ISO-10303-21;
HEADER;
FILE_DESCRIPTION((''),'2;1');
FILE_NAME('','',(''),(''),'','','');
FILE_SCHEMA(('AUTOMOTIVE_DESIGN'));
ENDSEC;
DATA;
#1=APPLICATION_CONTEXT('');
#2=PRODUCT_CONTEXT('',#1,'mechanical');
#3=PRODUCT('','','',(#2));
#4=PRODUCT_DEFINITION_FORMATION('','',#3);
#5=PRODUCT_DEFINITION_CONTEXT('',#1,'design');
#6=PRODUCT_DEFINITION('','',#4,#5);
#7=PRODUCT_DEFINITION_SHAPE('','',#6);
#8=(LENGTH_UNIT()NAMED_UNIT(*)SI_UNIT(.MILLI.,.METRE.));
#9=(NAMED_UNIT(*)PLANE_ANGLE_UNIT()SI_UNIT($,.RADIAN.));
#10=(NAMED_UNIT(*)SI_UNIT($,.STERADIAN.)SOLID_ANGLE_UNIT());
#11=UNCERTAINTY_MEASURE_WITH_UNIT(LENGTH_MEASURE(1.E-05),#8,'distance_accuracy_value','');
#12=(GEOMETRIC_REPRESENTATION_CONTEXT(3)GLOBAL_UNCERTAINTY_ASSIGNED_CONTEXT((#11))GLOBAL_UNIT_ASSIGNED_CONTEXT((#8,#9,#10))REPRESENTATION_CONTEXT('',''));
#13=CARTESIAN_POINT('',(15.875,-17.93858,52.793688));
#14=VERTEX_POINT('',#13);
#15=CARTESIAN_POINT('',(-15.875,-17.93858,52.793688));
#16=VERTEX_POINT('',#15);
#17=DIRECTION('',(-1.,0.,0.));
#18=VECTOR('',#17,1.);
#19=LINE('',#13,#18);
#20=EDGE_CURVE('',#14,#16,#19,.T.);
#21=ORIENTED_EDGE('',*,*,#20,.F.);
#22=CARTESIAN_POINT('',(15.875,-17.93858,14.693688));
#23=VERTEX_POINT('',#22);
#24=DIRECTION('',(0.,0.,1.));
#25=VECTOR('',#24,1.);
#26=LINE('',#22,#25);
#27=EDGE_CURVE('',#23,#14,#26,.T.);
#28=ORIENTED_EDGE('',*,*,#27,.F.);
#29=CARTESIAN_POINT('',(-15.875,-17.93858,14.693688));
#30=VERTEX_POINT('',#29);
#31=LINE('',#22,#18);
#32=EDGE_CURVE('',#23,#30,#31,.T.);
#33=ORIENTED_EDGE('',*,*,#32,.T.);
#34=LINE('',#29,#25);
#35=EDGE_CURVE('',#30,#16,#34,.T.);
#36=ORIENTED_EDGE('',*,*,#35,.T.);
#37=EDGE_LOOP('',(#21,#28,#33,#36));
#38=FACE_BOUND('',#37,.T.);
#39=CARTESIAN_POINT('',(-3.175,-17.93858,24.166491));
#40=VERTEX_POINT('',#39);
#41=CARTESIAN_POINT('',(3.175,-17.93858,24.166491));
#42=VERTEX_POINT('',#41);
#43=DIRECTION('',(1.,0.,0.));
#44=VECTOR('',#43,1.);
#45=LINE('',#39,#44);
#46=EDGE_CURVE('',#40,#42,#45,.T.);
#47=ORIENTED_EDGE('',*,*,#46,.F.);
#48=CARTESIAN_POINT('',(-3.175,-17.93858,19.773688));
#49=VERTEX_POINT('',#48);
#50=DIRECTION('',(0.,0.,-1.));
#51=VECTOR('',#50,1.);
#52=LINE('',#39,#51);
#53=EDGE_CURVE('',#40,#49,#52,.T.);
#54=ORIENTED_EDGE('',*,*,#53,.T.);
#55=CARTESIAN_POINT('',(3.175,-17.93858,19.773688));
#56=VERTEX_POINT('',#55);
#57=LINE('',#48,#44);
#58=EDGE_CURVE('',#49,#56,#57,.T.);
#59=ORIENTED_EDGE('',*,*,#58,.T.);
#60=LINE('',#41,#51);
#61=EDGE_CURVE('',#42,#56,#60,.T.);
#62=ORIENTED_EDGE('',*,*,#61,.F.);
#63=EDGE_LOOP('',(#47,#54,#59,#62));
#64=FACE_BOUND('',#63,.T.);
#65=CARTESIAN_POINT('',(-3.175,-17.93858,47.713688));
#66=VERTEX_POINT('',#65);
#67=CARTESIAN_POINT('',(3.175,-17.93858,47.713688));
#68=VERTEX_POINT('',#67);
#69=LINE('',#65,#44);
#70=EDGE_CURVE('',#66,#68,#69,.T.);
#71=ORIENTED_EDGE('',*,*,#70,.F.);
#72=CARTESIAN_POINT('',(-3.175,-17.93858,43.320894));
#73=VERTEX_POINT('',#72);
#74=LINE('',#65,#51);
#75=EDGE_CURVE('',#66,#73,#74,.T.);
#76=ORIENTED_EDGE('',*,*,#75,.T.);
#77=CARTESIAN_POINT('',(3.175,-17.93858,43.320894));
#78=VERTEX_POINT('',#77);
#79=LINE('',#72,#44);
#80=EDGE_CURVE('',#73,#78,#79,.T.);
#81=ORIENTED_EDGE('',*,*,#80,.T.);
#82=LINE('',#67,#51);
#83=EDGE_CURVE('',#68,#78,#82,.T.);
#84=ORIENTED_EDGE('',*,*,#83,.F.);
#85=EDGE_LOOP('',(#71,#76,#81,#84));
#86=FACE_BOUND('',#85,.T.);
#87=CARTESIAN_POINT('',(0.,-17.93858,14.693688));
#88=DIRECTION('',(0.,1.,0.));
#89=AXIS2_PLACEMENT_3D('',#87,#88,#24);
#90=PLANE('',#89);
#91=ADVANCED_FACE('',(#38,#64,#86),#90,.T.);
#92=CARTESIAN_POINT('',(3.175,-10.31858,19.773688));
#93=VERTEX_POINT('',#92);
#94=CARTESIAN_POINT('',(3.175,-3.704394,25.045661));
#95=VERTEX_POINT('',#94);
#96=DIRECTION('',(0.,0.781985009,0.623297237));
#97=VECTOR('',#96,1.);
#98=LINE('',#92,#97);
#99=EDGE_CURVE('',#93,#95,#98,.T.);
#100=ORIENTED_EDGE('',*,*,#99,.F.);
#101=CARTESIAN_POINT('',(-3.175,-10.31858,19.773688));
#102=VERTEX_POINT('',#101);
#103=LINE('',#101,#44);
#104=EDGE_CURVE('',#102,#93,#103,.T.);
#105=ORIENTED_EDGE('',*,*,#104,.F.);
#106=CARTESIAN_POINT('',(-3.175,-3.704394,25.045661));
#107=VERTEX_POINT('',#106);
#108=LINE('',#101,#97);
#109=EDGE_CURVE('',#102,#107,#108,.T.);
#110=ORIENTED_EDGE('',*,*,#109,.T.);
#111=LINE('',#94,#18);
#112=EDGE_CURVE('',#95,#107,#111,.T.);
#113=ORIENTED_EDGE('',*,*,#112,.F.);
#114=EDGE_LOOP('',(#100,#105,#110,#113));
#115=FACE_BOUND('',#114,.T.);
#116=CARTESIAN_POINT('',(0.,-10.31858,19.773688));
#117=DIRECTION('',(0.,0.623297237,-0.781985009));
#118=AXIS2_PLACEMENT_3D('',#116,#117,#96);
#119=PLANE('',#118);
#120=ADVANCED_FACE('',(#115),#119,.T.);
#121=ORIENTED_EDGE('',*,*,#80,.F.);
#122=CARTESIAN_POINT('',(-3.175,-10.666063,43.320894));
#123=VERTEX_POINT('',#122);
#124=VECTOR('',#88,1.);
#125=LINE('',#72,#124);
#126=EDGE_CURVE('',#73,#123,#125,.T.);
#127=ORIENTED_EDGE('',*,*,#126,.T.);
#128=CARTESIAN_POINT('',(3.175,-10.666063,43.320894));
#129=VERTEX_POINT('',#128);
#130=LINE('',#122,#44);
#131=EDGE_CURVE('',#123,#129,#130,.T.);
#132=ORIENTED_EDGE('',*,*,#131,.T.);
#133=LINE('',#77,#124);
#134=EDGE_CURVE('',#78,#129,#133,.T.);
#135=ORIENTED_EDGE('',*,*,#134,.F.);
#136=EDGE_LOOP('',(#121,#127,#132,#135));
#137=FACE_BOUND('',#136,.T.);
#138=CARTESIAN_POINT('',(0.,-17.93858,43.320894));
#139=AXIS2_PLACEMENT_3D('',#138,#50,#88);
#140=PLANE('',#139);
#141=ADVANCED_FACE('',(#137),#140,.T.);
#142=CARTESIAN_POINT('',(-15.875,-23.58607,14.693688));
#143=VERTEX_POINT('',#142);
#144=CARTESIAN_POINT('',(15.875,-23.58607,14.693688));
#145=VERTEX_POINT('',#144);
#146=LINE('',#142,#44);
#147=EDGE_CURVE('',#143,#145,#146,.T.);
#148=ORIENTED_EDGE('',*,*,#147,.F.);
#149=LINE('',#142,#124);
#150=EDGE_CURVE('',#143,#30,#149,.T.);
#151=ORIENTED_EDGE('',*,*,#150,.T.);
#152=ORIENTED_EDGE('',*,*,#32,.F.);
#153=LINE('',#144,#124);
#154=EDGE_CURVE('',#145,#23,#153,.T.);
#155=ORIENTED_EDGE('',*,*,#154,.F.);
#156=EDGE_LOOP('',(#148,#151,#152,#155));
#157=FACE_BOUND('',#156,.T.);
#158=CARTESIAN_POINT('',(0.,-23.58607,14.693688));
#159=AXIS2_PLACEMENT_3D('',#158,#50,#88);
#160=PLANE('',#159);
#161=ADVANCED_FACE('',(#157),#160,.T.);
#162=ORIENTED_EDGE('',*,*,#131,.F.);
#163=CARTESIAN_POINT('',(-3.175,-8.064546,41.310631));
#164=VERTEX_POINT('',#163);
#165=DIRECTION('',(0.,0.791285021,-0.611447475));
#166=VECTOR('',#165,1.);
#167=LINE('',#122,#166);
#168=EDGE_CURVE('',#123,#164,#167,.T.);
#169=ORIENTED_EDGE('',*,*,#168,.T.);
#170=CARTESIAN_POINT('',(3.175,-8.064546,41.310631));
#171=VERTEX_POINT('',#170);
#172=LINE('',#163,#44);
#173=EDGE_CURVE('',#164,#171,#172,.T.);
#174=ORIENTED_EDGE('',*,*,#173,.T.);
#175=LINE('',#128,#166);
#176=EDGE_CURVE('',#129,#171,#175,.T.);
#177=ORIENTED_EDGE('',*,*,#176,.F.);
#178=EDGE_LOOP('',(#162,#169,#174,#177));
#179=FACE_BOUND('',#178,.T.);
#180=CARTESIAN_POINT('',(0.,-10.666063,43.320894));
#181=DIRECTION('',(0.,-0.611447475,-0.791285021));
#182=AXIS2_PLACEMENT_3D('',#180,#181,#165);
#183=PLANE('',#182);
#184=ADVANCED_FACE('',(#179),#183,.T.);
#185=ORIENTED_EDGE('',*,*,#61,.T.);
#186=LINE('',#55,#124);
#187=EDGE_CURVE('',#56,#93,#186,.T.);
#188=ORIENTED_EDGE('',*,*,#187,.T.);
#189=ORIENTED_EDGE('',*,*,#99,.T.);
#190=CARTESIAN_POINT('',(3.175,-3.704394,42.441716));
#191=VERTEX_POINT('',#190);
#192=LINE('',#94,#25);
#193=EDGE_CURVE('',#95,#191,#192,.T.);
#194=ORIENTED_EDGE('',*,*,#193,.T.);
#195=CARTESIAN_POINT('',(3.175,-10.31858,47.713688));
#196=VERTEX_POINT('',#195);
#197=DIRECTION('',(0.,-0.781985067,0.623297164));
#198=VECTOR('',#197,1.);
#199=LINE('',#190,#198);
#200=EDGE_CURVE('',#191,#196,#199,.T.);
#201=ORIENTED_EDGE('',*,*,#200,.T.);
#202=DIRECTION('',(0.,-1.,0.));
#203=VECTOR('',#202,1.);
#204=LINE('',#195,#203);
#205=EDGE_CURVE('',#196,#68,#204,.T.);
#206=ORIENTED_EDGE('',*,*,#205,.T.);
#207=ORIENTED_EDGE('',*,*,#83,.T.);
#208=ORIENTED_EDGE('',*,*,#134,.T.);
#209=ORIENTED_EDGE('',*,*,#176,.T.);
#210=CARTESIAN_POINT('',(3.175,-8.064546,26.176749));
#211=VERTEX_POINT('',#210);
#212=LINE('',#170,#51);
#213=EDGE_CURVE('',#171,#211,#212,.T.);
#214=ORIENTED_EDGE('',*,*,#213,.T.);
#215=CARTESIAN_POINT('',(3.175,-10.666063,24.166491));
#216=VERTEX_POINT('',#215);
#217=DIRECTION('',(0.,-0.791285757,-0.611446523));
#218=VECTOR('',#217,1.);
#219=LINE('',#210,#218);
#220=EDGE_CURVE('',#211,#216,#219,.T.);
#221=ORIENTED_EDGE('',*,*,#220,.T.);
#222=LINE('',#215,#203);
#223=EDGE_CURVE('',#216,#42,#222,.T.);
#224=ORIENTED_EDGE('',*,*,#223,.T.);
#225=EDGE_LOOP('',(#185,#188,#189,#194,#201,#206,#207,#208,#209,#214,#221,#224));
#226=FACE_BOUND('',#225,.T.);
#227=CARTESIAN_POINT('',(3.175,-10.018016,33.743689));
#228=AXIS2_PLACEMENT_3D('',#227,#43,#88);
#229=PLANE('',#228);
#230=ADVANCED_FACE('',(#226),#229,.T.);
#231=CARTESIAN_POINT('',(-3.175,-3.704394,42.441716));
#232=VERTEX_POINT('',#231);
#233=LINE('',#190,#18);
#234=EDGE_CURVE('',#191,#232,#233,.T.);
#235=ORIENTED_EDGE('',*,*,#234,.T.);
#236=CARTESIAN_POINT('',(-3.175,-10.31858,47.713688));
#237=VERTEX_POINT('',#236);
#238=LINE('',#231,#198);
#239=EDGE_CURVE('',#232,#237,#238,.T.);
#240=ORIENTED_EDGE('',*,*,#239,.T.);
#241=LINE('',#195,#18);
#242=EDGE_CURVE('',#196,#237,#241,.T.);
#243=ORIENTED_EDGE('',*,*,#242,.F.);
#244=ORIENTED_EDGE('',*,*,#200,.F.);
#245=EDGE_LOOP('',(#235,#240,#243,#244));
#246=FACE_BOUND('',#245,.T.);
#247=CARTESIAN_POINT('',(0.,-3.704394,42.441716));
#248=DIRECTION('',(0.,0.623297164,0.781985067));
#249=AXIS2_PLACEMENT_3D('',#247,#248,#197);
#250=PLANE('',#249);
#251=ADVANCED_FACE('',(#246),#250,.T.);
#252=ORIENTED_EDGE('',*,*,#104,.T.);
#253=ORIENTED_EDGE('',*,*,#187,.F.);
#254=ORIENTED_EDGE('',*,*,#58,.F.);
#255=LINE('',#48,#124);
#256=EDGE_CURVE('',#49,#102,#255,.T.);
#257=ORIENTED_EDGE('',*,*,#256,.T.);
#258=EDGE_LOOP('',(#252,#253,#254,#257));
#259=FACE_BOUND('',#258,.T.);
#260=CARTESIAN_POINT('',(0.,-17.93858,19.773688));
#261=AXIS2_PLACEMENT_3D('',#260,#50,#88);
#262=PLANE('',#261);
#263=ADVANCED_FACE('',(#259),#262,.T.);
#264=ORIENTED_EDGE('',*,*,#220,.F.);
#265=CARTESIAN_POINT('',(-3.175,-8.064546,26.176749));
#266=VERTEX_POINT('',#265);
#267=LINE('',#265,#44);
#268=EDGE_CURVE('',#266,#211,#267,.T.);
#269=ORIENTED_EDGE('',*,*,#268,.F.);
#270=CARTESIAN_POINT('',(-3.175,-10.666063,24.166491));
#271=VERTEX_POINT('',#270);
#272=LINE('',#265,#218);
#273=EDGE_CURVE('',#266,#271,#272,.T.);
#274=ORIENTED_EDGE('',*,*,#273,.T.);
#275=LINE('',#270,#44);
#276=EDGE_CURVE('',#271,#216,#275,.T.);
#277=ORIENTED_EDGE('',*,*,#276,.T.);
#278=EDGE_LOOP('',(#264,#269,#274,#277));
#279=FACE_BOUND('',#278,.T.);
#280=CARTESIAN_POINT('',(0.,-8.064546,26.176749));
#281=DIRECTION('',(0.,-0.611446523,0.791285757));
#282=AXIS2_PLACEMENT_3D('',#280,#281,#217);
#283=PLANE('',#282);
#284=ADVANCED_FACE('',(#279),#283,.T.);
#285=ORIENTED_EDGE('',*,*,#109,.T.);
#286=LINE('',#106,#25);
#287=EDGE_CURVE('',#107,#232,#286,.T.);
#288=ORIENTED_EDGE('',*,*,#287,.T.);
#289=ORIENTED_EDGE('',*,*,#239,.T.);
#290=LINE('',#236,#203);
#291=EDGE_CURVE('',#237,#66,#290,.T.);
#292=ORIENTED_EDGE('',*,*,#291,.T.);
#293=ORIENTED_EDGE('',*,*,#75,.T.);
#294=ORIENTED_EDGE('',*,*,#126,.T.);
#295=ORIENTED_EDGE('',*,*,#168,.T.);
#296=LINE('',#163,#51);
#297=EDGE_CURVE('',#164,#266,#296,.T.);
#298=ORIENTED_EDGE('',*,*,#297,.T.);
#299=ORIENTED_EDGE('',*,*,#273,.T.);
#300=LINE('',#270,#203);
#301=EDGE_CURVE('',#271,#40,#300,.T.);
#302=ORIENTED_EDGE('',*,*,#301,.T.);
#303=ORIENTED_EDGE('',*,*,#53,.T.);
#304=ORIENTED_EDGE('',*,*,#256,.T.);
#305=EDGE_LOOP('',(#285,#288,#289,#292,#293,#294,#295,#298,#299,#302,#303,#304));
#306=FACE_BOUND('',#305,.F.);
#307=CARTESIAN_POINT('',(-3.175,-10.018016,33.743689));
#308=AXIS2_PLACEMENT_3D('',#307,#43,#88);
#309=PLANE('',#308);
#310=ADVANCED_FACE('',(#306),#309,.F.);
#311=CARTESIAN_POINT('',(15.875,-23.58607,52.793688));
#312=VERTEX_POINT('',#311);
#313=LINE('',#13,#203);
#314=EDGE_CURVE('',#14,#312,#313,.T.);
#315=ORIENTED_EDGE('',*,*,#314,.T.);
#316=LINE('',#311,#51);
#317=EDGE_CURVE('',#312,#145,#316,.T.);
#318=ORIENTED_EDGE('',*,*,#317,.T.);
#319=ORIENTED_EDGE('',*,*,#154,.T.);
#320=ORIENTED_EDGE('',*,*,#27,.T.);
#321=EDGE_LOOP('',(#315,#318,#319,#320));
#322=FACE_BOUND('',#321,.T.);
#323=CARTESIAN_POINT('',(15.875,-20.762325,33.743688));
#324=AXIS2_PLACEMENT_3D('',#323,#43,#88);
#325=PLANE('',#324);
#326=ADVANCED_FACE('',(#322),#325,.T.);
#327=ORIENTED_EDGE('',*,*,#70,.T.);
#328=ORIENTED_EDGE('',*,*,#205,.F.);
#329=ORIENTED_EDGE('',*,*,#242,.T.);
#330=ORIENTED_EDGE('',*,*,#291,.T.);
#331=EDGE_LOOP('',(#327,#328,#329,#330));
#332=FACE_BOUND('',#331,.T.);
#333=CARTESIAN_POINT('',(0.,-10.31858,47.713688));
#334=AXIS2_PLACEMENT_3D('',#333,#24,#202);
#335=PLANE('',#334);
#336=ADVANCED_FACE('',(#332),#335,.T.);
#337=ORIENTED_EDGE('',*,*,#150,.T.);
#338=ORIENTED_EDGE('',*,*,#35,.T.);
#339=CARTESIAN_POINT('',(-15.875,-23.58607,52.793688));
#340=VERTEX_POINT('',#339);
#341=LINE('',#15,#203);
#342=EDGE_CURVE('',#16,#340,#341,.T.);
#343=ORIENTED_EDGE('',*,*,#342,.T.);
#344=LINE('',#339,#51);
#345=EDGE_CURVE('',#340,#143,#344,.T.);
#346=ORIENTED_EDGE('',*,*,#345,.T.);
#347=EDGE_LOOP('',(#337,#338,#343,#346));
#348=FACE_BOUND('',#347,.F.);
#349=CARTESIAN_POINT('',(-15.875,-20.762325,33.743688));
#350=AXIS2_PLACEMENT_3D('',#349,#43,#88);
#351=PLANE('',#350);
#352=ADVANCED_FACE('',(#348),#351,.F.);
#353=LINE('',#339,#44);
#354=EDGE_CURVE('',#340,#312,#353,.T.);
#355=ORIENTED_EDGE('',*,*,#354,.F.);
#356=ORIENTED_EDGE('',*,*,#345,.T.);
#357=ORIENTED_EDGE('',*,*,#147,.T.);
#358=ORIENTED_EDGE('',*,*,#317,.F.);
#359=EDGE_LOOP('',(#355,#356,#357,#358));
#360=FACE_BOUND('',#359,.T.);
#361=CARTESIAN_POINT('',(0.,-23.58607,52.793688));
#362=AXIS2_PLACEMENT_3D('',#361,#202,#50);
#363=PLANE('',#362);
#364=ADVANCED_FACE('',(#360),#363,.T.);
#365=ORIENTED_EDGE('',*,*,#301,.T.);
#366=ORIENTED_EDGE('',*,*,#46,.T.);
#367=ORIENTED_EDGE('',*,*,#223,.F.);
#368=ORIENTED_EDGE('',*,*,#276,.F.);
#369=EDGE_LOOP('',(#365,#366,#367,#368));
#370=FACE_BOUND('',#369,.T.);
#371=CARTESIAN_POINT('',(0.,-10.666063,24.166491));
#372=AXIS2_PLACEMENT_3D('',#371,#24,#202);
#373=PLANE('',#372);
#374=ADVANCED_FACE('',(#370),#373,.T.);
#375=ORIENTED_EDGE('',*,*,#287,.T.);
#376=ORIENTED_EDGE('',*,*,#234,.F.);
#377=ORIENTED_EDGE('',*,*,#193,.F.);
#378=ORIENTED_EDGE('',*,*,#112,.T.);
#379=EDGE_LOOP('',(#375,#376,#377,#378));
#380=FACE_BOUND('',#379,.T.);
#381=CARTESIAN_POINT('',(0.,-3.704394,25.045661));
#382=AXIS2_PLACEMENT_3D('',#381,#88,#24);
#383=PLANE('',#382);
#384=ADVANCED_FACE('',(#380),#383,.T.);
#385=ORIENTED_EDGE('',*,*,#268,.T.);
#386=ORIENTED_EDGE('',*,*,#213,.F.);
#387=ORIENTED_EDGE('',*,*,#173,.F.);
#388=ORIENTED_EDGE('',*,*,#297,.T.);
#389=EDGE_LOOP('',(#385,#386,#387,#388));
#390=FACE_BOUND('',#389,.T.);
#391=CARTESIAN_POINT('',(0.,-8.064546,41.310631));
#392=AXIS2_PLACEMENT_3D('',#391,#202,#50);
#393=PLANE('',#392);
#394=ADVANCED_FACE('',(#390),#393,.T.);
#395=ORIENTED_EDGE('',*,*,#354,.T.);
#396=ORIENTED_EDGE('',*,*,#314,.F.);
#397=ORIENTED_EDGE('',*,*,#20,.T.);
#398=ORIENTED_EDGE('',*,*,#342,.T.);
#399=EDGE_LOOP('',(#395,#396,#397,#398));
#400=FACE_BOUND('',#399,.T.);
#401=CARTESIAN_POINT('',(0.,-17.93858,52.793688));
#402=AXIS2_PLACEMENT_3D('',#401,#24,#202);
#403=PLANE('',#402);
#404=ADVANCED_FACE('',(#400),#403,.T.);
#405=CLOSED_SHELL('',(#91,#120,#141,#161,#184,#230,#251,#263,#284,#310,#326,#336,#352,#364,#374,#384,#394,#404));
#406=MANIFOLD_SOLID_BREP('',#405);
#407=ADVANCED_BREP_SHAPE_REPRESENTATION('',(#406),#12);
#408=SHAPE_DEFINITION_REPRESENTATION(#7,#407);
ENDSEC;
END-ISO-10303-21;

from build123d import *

# Parameters (mm, degrees)
F1_DEPTH = 15.875
F2_DEPTH = 3.175


with BuildPart() as f1:
    # F0 (on Right) → F1 (new body, symmetric)
    with BuildSketch(Plane.YZ):
        Polygon((-17.93858, 52.793688), (-23.58607, 52.793688), (-23.58607, 14.693688), (-17.93858, 14.693688), (-17.93858, 19.773688), (-17.93858, 24.166491), (-17.93858, 43.320894), (-17.93858, 47.713688), align=None)
    extrude(amount=F1_DEPTH, both=True)

    # F0 (on Right) → F2 (join, symmetric)
    with BuildSketch(Plane.YZ):
        Polygon((-10.31858, 47.713688), (-17.93858, 47.713688), (-17.93858, 43.320894), (-10.666063, 43.320894), (-8.064546, 41.310631), (-8.064546, 26.176749), (-10.666063, 24.166491), (-17.93858, 24.166491), (-17.93858, 19.773688), (-10.31858, 19.773688), (-3.704394, 25.045661), (-3.704394, 42.441716), align=None)
    extrude(amount=F2_DEPTH, both=True)


solid = f1.part
